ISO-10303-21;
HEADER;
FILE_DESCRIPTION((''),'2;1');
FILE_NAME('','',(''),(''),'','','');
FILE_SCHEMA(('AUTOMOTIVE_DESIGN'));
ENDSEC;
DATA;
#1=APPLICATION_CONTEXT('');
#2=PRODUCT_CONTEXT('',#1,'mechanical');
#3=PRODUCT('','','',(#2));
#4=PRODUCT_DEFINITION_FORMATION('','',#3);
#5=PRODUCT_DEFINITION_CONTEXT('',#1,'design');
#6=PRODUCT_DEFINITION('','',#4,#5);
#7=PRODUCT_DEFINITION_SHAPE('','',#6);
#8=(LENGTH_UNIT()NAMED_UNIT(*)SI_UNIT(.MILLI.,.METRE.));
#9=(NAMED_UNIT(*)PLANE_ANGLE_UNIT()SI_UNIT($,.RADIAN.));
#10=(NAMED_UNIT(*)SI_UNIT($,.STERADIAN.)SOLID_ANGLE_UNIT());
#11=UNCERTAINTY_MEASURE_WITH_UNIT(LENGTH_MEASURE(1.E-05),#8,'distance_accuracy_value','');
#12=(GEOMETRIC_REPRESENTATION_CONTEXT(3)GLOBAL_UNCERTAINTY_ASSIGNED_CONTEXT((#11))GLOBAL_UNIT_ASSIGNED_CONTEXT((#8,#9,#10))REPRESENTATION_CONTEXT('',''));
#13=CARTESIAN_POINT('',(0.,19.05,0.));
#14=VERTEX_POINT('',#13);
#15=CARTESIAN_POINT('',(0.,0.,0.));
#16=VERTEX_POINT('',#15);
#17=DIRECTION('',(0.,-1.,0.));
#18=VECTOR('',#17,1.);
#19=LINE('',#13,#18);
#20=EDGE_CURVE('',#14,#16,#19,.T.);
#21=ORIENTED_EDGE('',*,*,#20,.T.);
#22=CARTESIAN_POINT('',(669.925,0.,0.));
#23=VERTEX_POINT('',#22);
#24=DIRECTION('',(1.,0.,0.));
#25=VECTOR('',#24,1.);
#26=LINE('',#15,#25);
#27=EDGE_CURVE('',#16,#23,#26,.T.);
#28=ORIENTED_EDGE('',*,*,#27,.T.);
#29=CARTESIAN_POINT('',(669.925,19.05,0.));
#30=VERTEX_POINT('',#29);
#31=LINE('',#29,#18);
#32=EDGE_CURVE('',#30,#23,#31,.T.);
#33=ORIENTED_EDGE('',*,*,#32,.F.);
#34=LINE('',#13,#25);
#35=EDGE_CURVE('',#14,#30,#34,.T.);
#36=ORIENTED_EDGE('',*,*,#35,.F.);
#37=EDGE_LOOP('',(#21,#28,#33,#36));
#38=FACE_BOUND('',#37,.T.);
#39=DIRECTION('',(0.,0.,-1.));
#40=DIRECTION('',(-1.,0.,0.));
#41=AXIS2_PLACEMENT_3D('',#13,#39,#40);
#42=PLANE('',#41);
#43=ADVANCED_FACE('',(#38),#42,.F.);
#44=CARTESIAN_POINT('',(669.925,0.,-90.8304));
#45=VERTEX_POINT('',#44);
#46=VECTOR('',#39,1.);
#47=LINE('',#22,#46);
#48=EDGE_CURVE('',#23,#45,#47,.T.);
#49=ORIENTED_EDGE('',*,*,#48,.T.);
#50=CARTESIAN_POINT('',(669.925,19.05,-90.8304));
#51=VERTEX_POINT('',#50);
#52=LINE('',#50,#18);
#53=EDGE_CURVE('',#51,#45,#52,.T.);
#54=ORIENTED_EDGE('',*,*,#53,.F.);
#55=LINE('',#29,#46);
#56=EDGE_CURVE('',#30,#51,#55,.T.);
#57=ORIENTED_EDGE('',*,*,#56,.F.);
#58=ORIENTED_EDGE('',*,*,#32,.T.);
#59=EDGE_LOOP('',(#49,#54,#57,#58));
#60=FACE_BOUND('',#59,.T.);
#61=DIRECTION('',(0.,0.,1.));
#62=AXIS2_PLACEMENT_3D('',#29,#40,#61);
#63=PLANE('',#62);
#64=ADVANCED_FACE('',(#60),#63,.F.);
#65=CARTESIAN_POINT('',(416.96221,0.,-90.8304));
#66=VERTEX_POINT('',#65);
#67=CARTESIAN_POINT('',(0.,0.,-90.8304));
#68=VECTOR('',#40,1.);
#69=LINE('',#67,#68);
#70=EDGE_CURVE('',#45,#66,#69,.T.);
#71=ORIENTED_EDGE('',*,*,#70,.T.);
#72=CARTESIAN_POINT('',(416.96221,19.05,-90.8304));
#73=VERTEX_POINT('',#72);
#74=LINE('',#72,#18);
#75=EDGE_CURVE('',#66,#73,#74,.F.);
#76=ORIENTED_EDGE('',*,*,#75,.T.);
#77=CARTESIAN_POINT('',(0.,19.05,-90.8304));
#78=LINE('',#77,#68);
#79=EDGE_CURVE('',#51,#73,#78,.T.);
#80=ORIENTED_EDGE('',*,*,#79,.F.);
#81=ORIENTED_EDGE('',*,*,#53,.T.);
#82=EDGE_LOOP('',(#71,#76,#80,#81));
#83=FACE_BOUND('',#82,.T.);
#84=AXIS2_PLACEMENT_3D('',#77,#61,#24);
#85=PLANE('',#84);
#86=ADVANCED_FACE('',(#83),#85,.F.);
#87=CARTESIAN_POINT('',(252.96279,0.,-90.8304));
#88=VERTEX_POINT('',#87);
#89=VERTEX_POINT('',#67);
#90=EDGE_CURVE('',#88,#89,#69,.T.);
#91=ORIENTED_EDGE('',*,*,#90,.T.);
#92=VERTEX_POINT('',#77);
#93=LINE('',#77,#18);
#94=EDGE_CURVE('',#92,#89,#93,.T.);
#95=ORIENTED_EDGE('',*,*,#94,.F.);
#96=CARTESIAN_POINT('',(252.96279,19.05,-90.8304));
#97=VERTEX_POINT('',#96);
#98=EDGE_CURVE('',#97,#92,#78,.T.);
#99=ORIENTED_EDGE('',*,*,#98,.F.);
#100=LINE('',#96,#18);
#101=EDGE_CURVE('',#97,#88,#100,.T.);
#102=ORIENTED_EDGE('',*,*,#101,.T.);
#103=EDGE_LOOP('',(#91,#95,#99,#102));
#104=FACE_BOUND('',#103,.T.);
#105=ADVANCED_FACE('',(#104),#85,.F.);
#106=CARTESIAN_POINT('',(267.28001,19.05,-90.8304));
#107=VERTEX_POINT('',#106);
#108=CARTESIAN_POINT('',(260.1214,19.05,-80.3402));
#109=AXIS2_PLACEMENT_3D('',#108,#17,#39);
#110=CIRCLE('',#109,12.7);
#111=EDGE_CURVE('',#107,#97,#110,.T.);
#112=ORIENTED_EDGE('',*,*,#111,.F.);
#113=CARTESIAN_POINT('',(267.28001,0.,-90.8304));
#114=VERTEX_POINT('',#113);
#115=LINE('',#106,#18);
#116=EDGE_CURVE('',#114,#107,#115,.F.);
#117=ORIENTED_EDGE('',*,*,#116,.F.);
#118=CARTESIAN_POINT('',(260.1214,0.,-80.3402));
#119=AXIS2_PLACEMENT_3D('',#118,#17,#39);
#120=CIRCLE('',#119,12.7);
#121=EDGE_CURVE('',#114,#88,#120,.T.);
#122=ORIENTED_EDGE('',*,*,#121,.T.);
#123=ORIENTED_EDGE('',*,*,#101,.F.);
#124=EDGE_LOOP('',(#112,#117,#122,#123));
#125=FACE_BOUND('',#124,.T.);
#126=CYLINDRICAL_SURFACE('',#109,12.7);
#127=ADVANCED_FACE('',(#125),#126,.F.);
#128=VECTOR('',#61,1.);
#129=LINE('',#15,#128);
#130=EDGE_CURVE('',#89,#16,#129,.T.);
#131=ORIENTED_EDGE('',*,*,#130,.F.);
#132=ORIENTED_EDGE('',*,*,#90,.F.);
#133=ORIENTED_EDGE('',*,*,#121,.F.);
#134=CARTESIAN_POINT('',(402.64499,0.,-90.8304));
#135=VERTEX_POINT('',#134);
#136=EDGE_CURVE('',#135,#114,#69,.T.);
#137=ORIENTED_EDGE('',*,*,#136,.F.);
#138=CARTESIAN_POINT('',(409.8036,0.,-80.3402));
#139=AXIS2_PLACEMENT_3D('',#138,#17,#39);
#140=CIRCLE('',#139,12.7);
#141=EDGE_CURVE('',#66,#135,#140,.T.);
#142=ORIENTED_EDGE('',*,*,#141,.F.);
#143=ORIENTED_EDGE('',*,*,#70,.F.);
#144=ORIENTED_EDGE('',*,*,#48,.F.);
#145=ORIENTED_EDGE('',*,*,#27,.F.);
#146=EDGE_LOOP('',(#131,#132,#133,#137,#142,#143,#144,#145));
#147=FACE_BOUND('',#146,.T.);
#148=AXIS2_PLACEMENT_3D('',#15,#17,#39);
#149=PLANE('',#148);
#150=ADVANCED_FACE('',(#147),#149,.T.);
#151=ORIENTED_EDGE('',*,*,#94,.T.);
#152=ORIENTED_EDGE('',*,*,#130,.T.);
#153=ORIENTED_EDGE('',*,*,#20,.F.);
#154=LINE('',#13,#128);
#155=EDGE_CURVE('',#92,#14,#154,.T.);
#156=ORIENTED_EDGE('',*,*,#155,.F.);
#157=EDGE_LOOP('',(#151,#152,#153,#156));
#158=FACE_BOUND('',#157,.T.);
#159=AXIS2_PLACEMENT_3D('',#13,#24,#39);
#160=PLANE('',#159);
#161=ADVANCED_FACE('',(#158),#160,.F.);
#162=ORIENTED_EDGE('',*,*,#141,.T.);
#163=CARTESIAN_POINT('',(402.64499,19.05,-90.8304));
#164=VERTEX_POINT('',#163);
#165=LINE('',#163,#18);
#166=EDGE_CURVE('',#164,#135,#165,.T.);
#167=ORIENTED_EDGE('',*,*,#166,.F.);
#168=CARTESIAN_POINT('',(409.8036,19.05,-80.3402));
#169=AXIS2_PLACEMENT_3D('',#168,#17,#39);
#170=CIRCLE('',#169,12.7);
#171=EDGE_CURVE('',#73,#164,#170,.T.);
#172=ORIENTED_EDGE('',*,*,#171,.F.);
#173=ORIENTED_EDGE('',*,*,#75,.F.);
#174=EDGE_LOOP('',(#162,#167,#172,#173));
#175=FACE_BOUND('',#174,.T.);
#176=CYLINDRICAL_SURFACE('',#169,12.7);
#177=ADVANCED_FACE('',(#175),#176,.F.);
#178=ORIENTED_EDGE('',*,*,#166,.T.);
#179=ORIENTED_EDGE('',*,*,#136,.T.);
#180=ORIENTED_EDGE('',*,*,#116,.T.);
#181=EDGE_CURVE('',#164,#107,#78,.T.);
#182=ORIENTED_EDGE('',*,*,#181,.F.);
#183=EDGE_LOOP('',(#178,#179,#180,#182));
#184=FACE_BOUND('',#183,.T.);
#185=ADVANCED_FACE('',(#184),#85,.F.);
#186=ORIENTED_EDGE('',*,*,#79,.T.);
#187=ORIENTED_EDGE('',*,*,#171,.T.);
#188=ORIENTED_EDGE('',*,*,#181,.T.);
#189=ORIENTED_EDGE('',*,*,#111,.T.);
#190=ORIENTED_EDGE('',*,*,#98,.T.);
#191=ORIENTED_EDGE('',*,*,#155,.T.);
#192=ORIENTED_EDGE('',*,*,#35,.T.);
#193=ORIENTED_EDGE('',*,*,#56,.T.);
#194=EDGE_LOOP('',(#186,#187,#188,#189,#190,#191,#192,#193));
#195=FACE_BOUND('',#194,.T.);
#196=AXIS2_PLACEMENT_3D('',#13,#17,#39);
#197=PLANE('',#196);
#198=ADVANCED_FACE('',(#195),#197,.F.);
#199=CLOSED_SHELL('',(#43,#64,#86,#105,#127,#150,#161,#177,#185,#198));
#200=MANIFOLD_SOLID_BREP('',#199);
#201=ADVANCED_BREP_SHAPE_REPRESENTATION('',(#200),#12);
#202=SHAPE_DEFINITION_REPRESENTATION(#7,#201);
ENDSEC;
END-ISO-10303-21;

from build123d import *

# Parameters (mm, degrees)
SKETCH1_W           = 669.925
SKETCH1_H           = 90.8304
BOSS_EXTRUDE1_DEPTH = 19.05
SKETCH2_R           = 12.7
CUT_EXTRUDE4_DEPTH  = 20.05


with BuildPart() as part:
    # Sketch1 → Boss-Extrude1 (new body)
    with BuildSketch(Plane(origin=(0, 0, 0), x_dir=(1, 0, 0), z_dir=(0, 1, 0))):
        with Locations((334.9625, 45.4152)):
            Rectangle(SKETCH1_W, SKETCH1_H)
    extrude(amount=BOSS_EXTRUDE1_DEPTH)

    # Sketch2 → Cut-Extrude4 (cut, through all)
    with BuildSketch(Plane.XZ):
        with Locations((409.8036, -80.3402)):
            Circle(SKETCH2_R)
        with Locations((260.1214, -80.3402)):
            Circle(SKETCH2_R)
    extrude(amount=-CUT_EXTRUDE4_DEPTH, mode=Mode.SUBTRACT)


solid = part.part
